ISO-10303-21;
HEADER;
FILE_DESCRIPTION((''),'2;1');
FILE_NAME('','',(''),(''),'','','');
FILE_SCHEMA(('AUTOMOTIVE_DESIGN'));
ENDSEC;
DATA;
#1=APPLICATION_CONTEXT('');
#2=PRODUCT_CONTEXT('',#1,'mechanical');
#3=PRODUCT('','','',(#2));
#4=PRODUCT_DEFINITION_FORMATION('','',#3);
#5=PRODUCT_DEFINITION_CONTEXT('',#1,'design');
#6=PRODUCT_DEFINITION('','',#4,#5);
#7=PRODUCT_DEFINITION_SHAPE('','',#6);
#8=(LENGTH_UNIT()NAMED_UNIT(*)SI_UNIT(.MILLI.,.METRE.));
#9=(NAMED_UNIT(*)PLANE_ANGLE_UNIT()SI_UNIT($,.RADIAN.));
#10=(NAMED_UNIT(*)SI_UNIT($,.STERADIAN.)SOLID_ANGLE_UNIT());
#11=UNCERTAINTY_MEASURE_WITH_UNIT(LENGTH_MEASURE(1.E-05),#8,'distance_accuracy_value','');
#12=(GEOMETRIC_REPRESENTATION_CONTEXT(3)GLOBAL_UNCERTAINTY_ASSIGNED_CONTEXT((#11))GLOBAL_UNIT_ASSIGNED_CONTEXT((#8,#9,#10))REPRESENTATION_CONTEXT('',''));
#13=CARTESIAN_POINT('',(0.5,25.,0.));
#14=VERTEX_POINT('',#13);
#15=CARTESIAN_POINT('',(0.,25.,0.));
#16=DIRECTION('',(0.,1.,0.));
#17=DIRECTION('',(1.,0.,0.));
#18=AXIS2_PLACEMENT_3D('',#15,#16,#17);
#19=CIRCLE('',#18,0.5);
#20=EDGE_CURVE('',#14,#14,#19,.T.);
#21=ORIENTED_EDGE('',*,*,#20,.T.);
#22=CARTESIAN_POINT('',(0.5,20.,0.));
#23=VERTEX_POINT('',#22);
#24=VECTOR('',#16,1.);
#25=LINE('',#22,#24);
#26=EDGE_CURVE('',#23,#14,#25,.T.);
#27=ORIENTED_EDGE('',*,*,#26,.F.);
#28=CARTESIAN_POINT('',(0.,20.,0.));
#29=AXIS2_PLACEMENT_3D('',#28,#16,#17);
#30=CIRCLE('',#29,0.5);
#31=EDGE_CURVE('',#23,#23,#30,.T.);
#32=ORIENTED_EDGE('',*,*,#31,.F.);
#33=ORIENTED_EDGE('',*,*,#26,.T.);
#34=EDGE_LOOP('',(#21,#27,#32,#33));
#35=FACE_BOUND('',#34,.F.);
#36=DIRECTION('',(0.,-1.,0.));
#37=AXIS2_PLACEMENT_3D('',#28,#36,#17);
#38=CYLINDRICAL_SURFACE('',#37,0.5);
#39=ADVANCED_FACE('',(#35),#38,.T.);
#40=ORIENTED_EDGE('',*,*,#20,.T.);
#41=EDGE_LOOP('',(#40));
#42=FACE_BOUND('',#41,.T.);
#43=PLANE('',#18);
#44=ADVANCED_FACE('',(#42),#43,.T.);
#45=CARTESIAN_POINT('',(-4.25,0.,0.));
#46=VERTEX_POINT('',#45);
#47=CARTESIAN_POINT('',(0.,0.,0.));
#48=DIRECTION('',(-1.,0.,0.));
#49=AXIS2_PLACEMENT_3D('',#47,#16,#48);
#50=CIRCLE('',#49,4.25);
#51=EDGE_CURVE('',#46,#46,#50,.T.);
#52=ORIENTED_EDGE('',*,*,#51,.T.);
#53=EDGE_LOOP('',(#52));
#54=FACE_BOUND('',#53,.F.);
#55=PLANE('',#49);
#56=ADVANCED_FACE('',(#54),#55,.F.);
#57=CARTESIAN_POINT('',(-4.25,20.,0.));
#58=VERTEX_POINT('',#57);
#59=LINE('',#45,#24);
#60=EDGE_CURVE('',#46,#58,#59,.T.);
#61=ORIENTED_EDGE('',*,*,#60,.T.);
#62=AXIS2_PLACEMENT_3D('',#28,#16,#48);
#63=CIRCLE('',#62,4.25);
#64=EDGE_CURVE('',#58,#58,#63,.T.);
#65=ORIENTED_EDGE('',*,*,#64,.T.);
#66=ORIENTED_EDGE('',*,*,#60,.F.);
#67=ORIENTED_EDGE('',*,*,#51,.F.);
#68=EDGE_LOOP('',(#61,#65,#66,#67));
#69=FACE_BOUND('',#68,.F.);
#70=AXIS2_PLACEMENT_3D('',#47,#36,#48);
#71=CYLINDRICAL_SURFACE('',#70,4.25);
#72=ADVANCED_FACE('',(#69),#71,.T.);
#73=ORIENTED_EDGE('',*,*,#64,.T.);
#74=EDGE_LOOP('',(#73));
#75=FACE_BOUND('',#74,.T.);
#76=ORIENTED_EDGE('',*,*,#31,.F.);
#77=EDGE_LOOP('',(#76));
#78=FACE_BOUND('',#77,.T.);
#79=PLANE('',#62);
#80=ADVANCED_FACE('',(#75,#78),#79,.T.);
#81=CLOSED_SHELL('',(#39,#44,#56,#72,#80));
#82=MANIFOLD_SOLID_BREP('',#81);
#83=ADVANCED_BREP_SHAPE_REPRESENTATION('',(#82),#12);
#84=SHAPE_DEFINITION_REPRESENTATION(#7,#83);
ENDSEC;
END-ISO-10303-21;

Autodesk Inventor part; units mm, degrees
ref_plane "YZ Plane" through (0, 0, 0) normal (1, 0, 0) x (0, 1, 0)
ref_plane "XZ Plane" through (0, 0, 0) normal (0, 1, 0) x (-1, 0, 0)
ref_plane "XY Plane" through (0, 0, 0) normal (0, 0, 1) x (1, 0, 0)
sketch "Szkic1" plane through (0, 0, 0) normal (0, 1, 0) x (-1, 0, 0)
  point P0 (0, 0)
sketch "Szkic2" plane through (0, 0, 0) normal (0, 1, 0) x (-1, 0, 0)
  circle A0 centre (0, 0) radius 4.25
  dimension "d0" = 8.5
extrude "Wyciągnięcie proste1" add sketch "Szkic2" along normal blind 20
sketch "Szkic3" plane through (0, 20, 0) normal (0, 1, 0) x (1, 0, 0)
  circle A0 centre (0, 0) radius 0.5
  dimension "d3" = 1
extrude "Wyciągnięcie proste2" add sketch "Szkic3" along normal blind 5
properties part number "Silnik"
